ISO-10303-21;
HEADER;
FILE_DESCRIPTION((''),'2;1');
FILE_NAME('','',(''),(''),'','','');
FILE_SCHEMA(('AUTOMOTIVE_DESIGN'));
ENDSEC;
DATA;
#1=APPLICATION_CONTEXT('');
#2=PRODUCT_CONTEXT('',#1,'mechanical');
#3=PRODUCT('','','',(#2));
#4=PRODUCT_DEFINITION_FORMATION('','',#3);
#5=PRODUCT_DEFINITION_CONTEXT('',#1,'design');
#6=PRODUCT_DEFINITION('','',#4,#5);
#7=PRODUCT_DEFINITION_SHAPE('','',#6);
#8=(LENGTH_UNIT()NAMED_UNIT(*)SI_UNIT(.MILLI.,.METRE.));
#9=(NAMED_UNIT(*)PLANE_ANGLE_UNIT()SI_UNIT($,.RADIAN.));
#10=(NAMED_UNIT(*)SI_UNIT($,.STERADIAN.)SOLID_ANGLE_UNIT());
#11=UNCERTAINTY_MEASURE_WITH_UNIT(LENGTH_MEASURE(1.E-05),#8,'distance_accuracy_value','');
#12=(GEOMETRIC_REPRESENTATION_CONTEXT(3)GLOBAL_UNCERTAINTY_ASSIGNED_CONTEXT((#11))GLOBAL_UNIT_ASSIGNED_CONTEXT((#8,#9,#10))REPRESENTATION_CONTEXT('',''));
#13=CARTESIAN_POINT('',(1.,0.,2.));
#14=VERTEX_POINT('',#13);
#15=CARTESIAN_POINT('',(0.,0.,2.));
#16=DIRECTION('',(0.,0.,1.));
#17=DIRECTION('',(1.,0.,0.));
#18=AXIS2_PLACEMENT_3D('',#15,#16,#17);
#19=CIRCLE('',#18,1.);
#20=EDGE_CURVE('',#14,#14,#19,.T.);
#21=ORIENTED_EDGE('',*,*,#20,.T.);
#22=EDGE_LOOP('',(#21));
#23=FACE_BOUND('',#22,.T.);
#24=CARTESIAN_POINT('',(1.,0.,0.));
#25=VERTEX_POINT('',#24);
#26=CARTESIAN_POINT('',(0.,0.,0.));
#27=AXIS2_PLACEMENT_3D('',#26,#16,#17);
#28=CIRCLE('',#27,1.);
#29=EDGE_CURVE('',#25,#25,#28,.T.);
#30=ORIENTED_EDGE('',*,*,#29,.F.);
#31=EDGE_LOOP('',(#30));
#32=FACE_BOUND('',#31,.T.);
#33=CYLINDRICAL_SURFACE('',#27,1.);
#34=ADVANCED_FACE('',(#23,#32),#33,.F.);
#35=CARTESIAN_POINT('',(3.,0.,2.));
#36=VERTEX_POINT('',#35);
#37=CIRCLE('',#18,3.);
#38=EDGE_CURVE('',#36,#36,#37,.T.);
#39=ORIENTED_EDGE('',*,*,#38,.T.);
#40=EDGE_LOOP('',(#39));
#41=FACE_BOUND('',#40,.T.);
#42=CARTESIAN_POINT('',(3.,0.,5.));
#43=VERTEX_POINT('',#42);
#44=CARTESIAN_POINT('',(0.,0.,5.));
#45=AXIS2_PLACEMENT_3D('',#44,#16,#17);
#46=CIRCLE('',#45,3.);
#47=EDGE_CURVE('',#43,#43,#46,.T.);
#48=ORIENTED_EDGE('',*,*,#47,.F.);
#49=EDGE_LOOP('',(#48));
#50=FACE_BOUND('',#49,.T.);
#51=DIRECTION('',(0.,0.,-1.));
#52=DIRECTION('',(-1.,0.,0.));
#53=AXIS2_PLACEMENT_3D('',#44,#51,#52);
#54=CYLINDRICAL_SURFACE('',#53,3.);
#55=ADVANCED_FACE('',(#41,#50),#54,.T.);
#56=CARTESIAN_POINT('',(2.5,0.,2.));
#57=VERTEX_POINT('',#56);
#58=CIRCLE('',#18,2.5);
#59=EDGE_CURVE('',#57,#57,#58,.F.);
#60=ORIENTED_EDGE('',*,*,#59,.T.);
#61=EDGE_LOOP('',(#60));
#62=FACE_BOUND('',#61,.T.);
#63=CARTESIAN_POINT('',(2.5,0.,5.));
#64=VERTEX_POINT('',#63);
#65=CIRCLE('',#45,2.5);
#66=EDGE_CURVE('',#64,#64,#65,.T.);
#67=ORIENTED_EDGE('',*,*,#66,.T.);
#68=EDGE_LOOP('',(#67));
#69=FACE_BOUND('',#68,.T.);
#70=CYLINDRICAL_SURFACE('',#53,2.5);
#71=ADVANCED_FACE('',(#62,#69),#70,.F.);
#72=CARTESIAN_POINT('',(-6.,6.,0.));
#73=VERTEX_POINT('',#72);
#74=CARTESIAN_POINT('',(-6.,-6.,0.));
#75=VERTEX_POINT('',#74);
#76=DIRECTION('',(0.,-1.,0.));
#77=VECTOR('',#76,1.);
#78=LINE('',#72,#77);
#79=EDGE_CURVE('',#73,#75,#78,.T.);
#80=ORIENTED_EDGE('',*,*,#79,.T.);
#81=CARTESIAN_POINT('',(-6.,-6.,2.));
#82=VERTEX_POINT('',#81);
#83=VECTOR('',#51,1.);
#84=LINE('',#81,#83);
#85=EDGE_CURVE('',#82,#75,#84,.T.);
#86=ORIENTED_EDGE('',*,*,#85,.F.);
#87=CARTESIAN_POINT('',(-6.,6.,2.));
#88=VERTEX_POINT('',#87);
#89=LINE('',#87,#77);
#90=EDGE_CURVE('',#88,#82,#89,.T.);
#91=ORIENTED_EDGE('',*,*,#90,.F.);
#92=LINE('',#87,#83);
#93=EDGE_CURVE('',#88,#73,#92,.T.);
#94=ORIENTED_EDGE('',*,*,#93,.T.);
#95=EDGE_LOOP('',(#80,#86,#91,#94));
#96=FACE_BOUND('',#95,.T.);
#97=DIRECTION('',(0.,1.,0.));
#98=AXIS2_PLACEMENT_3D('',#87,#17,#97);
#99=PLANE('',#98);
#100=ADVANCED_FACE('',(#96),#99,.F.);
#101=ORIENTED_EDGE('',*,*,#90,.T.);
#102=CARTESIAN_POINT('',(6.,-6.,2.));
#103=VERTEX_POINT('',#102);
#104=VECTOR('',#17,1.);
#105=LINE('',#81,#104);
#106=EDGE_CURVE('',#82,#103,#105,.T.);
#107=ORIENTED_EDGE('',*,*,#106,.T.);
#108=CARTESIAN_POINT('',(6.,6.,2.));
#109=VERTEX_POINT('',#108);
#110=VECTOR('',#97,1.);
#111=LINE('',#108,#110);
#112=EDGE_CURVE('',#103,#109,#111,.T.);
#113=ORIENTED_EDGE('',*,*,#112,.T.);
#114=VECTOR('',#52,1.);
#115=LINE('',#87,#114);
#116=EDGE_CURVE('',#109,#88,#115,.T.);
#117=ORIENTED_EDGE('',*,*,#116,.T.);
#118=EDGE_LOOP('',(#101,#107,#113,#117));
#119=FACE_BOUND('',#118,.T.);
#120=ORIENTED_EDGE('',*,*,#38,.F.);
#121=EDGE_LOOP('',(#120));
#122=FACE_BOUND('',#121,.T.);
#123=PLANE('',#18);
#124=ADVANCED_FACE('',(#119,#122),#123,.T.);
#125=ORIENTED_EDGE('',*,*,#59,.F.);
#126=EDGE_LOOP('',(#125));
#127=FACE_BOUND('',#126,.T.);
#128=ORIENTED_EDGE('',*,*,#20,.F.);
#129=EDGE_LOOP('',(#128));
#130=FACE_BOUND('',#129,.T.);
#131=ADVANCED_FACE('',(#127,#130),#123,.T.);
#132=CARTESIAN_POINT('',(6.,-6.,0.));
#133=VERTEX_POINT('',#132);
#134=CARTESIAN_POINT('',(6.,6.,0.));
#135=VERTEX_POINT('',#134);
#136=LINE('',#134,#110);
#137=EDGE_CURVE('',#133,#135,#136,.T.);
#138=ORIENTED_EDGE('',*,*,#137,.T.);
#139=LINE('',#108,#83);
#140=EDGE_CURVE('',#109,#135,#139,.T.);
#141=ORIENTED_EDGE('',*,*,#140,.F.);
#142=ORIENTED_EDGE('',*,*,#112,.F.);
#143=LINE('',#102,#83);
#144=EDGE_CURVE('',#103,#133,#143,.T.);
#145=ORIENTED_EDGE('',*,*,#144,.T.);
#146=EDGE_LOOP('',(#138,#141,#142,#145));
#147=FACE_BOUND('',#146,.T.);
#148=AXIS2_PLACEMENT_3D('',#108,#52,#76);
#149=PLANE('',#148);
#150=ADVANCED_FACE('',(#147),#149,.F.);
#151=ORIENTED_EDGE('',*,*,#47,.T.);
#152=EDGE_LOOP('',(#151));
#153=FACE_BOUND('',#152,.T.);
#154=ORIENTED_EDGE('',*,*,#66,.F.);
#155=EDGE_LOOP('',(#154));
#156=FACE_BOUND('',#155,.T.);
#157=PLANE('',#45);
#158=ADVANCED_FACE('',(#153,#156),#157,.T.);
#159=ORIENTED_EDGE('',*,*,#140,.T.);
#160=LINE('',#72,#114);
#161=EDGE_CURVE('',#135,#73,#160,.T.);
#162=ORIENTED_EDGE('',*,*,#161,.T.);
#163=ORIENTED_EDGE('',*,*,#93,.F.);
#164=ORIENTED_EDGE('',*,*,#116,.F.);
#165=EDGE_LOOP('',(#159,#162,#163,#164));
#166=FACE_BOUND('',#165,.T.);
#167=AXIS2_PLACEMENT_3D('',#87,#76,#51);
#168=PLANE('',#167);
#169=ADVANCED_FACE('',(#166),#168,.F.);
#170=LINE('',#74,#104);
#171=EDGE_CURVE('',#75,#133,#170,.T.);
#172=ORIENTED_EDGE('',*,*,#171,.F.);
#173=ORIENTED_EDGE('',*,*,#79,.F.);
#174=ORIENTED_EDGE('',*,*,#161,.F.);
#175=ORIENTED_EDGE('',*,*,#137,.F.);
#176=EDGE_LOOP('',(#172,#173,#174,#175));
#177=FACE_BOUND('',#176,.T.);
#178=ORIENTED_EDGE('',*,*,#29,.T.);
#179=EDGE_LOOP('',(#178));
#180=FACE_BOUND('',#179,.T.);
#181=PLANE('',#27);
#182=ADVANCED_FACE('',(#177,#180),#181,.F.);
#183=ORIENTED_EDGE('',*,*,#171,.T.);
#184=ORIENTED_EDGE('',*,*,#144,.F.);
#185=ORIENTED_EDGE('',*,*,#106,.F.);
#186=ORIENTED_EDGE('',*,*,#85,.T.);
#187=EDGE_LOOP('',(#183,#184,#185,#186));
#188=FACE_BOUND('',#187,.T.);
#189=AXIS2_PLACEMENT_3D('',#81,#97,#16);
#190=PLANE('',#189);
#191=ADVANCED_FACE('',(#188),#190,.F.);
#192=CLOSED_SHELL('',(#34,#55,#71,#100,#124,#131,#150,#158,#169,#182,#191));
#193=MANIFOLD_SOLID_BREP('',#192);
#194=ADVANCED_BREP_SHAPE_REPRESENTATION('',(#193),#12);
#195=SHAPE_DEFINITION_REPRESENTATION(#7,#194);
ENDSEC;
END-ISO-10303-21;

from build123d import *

# Parameters (mm, degrees)
SKETCH1_W           = 12
SKETCH1_H           = 12
BOSS_EXTRUDE1_DEPTH = 2
SKETCH2_R           = 3
SKETCH2_R_2         = 2.5
BOSS_EXTRUDE2_DEPTH = 3
SKETCH5_R           = 1
CUT_EXTRUDE1_DEPTH  = 10


with BuildPart() as part:
    # Sketch1 → Boss-Extrude1 (new body)
    with BuildSketch(Plane.XY):
        Rectangle(SKETCH1_W, SKETCH1_H)
    extrude(amount=BOSS_EXTRUDE1_DEPTH)

    # Sketch2 → Boss-Extrude2 (add)
    with BuildSketch(Plane.XY.offset(2)):
        Circle(SKETCH2_R)
        Circle(SKETCH2_R_2, mode=Mode.SUBTRACT)
    extrude(amount=BOSS_EXTRUDE2_DEPTH)

    # Sketch5 → Cut-Extrude1 (cut, through all)
    with BuildSketch(Plane.XY.offset(2)):
        Circle(SKETCH5_R)
    extrude(amount=-CUT_EXTRUDE1_DEPTH, mode=Mode.SUBTRACT)


solid = part.part
